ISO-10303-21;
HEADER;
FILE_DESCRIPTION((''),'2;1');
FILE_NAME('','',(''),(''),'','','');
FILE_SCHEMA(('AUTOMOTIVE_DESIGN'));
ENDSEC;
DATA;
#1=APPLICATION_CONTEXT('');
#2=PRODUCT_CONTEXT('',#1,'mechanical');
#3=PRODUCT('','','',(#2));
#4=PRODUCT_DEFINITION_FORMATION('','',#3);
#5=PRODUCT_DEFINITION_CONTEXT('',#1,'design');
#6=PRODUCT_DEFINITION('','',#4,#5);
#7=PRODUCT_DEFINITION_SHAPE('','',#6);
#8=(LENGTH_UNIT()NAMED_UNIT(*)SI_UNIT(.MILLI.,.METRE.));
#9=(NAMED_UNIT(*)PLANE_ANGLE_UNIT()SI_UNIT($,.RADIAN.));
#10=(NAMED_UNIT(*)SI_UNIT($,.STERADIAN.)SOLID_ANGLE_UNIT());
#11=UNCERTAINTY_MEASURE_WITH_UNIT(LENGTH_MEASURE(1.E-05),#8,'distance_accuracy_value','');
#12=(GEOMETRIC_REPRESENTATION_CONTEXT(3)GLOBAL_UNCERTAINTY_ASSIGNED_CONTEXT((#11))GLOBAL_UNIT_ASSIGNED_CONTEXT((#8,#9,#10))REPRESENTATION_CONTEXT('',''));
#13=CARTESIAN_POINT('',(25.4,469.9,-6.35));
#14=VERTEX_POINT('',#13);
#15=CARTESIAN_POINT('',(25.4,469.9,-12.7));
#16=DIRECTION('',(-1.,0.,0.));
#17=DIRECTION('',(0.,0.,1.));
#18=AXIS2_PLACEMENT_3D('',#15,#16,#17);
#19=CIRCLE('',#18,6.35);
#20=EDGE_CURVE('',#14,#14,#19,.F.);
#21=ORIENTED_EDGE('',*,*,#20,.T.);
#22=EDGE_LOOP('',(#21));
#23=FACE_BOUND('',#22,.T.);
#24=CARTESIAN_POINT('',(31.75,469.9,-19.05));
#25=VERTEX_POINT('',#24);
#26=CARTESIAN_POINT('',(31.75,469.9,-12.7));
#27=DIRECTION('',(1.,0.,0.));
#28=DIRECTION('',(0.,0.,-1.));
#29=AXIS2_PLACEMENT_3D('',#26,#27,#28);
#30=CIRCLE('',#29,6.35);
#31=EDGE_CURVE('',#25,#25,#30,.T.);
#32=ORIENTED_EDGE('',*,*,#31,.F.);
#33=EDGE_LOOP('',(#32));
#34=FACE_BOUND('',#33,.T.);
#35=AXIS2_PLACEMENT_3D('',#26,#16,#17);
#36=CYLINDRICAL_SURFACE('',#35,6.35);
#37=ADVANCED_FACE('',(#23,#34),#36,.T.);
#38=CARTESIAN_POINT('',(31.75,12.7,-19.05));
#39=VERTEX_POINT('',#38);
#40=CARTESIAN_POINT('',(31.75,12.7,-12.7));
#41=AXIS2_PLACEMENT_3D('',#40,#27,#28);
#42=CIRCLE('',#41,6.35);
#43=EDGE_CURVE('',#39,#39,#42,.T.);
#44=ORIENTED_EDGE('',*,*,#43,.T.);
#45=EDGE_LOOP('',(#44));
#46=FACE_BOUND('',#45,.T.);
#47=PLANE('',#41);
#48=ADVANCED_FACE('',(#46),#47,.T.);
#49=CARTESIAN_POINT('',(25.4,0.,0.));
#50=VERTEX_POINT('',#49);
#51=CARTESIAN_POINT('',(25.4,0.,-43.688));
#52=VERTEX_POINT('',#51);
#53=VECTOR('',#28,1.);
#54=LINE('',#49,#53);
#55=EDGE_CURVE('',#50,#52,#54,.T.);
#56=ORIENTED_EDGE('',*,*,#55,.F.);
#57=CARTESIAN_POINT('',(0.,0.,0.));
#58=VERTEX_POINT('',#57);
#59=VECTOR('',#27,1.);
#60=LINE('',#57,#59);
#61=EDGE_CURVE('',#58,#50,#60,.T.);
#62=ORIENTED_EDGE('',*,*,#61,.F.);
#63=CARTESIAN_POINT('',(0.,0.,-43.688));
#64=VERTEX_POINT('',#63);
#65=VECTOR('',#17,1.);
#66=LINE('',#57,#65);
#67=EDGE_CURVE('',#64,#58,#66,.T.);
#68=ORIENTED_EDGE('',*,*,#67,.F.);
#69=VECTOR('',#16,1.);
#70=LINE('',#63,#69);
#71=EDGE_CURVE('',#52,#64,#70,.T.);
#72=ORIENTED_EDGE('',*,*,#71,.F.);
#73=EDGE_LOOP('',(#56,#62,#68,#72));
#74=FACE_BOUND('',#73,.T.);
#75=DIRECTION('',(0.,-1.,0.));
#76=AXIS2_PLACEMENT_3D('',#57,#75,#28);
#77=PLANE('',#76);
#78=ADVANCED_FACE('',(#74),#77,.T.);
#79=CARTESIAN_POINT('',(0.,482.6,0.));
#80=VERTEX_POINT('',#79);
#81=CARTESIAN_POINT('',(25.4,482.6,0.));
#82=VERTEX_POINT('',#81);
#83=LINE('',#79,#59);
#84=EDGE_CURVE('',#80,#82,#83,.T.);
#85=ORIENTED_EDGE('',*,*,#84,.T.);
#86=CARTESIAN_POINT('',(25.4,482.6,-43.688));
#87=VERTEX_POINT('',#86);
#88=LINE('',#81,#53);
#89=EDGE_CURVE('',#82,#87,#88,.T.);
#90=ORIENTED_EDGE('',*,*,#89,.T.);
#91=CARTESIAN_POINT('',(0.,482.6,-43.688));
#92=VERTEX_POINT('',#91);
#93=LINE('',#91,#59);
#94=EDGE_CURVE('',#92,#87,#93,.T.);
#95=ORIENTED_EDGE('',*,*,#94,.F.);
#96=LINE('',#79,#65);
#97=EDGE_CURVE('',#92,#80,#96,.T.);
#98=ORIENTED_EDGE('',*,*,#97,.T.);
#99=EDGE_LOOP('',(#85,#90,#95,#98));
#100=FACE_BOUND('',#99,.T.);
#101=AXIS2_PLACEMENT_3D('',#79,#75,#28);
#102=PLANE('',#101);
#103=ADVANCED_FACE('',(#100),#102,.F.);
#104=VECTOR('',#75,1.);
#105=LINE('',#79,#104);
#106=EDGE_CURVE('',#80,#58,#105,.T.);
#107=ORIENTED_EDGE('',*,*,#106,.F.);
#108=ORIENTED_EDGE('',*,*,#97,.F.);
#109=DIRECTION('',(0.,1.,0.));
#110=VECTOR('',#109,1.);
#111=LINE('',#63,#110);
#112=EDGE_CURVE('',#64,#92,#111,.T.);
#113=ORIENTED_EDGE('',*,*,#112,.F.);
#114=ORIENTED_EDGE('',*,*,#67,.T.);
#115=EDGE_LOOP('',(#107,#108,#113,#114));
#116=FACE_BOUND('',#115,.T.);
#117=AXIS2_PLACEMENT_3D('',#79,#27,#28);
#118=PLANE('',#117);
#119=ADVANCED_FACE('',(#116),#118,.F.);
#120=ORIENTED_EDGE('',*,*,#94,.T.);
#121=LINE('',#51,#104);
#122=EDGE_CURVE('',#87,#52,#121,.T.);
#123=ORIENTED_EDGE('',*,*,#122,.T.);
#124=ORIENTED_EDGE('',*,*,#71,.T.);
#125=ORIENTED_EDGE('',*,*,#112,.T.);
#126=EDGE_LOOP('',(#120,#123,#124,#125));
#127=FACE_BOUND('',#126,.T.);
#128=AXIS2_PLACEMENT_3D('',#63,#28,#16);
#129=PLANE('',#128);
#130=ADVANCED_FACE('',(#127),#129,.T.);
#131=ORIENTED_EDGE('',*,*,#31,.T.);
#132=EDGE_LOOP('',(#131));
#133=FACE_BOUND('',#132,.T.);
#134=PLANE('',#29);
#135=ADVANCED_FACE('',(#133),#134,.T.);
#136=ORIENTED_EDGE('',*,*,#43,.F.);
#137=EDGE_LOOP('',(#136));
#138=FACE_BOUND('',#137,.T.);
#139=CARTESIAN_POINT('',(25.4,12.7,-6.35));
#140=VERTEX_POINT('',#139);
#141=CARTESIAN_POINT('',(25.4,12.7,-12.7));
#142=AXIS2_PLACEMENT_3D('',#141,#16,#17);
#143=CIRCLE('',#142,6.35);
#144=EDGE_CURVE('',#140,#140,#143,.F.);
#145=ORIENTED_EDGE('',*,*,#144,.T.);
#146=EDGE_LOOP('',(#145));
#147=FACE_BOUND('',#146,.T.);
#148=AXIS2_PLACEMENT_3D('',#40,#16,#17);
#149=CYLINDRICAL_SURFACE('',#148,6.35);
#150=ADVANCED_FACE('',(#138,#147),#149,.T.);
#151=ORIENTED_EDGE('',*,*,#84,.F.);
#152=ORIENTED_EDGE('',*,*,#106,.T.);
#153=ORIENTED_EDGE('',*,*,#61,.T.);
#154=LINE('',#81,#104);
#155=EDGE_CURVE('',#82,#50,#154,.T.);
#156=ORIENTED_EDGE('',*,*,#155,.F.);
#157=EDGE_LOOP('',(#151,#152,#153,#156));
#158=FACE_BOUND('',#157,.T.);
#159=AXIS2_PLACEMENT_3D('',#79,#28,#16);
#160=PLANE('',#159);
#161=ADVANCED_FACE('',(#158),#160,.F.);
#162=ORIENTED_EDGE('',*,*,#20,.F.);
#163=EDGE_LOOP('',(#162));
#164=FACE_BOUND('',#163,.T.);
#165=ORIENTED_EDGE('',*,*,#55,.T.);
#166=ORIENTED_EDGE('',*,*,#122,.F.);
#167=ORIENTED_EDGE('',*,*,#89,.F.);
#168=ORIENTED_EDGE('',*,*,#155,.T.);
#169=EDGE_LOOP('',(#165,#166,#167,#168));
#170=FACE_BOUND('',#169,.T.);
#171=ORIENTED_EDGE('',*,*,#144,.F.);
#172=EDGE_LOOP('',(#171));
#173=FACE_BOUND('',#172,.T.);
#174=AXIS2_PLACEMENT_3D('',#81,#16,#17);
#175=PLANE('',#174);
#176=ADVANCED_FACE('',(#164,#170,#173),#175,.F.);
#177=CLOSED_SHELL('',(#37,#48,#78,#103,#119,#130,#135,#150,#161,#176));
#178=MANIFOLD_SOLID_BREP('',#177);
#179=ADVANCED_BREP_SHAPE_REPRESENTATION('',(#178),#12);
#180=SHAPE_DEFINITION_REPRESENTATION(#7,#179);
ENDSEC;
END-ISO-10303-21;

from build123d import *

# Parameters (mm, degrees)
SKETCH1_W           = 25.4
SKETCH1_H           = 25.4
BOSS_EXTRUDE1_DEPTH = 482.6
SKETCH2_R           = 6.35
BOSS_EXTRUDE2_DEPTH = 6.35
SKETCH3_R           = 6.35
BOSS_EXTRUDE3_DEPTH = 6.35
SKETCH4_W           = 25.4
SKETCH4_H           = 482.6
BOSS_EXTRUDE4_DEPTH = 18.288


with BuildPart() as part:
    # Sketch1 → Boss-Extrude1 (new body)
    with BuildSketch(Plane(origin=(0, 0, 0), x_dir=(1, 0, 0), z_dir=(0, 1, 0))):
        with Locations((12.7, 12.7)):
            Rectangle(SKETCH1_W, SKETCH1_H)
    extrude(amount=BOSS_EXTRUDE1_DEPTH)

    # Sketch2 → Boss-Extrude2 (add)
    with BuildSketch(Plane(origin=(25.4, 0, 0), x_dir=(0, 0, -1), z_dir=(1, 0, 0))):
        with Locations(Location((12.7, 469.9, 0), (0, 0, 180))):
            Circle(SKETCH2_R)
    extrude(amount=BOSS_EXTRUDE2_DEPTH)

    # Sketch3 → Boss-Extrude3 (add)
    with BuildSketch(Plane(origin=(25.4, 0, 0), x_dir=(0, 0, -1), z_dir=(1, 0, 0))):
        with Locations(Location((12.7, 12.7, 0), (0, 0, 180))):
            Circle(SKETCH3_R)
    extrude(amount=BOSS_EXTRUDE3_DEPTH)

    # Sketch4 → Boss-Extrude4 (add)
    with BuildSketch(Plane(origin=(0, 0, -25.4), x_dir=(-1, 0, 0), z_dir=(0, 0, -1))):
        with Locations((-12.7, 241.3)):
            Rectangle(SKETCH4_W, SKETCH4_H)
    extrude(amount=BOSS_EXTRUDE4_DEPTH)


solid = part.part
